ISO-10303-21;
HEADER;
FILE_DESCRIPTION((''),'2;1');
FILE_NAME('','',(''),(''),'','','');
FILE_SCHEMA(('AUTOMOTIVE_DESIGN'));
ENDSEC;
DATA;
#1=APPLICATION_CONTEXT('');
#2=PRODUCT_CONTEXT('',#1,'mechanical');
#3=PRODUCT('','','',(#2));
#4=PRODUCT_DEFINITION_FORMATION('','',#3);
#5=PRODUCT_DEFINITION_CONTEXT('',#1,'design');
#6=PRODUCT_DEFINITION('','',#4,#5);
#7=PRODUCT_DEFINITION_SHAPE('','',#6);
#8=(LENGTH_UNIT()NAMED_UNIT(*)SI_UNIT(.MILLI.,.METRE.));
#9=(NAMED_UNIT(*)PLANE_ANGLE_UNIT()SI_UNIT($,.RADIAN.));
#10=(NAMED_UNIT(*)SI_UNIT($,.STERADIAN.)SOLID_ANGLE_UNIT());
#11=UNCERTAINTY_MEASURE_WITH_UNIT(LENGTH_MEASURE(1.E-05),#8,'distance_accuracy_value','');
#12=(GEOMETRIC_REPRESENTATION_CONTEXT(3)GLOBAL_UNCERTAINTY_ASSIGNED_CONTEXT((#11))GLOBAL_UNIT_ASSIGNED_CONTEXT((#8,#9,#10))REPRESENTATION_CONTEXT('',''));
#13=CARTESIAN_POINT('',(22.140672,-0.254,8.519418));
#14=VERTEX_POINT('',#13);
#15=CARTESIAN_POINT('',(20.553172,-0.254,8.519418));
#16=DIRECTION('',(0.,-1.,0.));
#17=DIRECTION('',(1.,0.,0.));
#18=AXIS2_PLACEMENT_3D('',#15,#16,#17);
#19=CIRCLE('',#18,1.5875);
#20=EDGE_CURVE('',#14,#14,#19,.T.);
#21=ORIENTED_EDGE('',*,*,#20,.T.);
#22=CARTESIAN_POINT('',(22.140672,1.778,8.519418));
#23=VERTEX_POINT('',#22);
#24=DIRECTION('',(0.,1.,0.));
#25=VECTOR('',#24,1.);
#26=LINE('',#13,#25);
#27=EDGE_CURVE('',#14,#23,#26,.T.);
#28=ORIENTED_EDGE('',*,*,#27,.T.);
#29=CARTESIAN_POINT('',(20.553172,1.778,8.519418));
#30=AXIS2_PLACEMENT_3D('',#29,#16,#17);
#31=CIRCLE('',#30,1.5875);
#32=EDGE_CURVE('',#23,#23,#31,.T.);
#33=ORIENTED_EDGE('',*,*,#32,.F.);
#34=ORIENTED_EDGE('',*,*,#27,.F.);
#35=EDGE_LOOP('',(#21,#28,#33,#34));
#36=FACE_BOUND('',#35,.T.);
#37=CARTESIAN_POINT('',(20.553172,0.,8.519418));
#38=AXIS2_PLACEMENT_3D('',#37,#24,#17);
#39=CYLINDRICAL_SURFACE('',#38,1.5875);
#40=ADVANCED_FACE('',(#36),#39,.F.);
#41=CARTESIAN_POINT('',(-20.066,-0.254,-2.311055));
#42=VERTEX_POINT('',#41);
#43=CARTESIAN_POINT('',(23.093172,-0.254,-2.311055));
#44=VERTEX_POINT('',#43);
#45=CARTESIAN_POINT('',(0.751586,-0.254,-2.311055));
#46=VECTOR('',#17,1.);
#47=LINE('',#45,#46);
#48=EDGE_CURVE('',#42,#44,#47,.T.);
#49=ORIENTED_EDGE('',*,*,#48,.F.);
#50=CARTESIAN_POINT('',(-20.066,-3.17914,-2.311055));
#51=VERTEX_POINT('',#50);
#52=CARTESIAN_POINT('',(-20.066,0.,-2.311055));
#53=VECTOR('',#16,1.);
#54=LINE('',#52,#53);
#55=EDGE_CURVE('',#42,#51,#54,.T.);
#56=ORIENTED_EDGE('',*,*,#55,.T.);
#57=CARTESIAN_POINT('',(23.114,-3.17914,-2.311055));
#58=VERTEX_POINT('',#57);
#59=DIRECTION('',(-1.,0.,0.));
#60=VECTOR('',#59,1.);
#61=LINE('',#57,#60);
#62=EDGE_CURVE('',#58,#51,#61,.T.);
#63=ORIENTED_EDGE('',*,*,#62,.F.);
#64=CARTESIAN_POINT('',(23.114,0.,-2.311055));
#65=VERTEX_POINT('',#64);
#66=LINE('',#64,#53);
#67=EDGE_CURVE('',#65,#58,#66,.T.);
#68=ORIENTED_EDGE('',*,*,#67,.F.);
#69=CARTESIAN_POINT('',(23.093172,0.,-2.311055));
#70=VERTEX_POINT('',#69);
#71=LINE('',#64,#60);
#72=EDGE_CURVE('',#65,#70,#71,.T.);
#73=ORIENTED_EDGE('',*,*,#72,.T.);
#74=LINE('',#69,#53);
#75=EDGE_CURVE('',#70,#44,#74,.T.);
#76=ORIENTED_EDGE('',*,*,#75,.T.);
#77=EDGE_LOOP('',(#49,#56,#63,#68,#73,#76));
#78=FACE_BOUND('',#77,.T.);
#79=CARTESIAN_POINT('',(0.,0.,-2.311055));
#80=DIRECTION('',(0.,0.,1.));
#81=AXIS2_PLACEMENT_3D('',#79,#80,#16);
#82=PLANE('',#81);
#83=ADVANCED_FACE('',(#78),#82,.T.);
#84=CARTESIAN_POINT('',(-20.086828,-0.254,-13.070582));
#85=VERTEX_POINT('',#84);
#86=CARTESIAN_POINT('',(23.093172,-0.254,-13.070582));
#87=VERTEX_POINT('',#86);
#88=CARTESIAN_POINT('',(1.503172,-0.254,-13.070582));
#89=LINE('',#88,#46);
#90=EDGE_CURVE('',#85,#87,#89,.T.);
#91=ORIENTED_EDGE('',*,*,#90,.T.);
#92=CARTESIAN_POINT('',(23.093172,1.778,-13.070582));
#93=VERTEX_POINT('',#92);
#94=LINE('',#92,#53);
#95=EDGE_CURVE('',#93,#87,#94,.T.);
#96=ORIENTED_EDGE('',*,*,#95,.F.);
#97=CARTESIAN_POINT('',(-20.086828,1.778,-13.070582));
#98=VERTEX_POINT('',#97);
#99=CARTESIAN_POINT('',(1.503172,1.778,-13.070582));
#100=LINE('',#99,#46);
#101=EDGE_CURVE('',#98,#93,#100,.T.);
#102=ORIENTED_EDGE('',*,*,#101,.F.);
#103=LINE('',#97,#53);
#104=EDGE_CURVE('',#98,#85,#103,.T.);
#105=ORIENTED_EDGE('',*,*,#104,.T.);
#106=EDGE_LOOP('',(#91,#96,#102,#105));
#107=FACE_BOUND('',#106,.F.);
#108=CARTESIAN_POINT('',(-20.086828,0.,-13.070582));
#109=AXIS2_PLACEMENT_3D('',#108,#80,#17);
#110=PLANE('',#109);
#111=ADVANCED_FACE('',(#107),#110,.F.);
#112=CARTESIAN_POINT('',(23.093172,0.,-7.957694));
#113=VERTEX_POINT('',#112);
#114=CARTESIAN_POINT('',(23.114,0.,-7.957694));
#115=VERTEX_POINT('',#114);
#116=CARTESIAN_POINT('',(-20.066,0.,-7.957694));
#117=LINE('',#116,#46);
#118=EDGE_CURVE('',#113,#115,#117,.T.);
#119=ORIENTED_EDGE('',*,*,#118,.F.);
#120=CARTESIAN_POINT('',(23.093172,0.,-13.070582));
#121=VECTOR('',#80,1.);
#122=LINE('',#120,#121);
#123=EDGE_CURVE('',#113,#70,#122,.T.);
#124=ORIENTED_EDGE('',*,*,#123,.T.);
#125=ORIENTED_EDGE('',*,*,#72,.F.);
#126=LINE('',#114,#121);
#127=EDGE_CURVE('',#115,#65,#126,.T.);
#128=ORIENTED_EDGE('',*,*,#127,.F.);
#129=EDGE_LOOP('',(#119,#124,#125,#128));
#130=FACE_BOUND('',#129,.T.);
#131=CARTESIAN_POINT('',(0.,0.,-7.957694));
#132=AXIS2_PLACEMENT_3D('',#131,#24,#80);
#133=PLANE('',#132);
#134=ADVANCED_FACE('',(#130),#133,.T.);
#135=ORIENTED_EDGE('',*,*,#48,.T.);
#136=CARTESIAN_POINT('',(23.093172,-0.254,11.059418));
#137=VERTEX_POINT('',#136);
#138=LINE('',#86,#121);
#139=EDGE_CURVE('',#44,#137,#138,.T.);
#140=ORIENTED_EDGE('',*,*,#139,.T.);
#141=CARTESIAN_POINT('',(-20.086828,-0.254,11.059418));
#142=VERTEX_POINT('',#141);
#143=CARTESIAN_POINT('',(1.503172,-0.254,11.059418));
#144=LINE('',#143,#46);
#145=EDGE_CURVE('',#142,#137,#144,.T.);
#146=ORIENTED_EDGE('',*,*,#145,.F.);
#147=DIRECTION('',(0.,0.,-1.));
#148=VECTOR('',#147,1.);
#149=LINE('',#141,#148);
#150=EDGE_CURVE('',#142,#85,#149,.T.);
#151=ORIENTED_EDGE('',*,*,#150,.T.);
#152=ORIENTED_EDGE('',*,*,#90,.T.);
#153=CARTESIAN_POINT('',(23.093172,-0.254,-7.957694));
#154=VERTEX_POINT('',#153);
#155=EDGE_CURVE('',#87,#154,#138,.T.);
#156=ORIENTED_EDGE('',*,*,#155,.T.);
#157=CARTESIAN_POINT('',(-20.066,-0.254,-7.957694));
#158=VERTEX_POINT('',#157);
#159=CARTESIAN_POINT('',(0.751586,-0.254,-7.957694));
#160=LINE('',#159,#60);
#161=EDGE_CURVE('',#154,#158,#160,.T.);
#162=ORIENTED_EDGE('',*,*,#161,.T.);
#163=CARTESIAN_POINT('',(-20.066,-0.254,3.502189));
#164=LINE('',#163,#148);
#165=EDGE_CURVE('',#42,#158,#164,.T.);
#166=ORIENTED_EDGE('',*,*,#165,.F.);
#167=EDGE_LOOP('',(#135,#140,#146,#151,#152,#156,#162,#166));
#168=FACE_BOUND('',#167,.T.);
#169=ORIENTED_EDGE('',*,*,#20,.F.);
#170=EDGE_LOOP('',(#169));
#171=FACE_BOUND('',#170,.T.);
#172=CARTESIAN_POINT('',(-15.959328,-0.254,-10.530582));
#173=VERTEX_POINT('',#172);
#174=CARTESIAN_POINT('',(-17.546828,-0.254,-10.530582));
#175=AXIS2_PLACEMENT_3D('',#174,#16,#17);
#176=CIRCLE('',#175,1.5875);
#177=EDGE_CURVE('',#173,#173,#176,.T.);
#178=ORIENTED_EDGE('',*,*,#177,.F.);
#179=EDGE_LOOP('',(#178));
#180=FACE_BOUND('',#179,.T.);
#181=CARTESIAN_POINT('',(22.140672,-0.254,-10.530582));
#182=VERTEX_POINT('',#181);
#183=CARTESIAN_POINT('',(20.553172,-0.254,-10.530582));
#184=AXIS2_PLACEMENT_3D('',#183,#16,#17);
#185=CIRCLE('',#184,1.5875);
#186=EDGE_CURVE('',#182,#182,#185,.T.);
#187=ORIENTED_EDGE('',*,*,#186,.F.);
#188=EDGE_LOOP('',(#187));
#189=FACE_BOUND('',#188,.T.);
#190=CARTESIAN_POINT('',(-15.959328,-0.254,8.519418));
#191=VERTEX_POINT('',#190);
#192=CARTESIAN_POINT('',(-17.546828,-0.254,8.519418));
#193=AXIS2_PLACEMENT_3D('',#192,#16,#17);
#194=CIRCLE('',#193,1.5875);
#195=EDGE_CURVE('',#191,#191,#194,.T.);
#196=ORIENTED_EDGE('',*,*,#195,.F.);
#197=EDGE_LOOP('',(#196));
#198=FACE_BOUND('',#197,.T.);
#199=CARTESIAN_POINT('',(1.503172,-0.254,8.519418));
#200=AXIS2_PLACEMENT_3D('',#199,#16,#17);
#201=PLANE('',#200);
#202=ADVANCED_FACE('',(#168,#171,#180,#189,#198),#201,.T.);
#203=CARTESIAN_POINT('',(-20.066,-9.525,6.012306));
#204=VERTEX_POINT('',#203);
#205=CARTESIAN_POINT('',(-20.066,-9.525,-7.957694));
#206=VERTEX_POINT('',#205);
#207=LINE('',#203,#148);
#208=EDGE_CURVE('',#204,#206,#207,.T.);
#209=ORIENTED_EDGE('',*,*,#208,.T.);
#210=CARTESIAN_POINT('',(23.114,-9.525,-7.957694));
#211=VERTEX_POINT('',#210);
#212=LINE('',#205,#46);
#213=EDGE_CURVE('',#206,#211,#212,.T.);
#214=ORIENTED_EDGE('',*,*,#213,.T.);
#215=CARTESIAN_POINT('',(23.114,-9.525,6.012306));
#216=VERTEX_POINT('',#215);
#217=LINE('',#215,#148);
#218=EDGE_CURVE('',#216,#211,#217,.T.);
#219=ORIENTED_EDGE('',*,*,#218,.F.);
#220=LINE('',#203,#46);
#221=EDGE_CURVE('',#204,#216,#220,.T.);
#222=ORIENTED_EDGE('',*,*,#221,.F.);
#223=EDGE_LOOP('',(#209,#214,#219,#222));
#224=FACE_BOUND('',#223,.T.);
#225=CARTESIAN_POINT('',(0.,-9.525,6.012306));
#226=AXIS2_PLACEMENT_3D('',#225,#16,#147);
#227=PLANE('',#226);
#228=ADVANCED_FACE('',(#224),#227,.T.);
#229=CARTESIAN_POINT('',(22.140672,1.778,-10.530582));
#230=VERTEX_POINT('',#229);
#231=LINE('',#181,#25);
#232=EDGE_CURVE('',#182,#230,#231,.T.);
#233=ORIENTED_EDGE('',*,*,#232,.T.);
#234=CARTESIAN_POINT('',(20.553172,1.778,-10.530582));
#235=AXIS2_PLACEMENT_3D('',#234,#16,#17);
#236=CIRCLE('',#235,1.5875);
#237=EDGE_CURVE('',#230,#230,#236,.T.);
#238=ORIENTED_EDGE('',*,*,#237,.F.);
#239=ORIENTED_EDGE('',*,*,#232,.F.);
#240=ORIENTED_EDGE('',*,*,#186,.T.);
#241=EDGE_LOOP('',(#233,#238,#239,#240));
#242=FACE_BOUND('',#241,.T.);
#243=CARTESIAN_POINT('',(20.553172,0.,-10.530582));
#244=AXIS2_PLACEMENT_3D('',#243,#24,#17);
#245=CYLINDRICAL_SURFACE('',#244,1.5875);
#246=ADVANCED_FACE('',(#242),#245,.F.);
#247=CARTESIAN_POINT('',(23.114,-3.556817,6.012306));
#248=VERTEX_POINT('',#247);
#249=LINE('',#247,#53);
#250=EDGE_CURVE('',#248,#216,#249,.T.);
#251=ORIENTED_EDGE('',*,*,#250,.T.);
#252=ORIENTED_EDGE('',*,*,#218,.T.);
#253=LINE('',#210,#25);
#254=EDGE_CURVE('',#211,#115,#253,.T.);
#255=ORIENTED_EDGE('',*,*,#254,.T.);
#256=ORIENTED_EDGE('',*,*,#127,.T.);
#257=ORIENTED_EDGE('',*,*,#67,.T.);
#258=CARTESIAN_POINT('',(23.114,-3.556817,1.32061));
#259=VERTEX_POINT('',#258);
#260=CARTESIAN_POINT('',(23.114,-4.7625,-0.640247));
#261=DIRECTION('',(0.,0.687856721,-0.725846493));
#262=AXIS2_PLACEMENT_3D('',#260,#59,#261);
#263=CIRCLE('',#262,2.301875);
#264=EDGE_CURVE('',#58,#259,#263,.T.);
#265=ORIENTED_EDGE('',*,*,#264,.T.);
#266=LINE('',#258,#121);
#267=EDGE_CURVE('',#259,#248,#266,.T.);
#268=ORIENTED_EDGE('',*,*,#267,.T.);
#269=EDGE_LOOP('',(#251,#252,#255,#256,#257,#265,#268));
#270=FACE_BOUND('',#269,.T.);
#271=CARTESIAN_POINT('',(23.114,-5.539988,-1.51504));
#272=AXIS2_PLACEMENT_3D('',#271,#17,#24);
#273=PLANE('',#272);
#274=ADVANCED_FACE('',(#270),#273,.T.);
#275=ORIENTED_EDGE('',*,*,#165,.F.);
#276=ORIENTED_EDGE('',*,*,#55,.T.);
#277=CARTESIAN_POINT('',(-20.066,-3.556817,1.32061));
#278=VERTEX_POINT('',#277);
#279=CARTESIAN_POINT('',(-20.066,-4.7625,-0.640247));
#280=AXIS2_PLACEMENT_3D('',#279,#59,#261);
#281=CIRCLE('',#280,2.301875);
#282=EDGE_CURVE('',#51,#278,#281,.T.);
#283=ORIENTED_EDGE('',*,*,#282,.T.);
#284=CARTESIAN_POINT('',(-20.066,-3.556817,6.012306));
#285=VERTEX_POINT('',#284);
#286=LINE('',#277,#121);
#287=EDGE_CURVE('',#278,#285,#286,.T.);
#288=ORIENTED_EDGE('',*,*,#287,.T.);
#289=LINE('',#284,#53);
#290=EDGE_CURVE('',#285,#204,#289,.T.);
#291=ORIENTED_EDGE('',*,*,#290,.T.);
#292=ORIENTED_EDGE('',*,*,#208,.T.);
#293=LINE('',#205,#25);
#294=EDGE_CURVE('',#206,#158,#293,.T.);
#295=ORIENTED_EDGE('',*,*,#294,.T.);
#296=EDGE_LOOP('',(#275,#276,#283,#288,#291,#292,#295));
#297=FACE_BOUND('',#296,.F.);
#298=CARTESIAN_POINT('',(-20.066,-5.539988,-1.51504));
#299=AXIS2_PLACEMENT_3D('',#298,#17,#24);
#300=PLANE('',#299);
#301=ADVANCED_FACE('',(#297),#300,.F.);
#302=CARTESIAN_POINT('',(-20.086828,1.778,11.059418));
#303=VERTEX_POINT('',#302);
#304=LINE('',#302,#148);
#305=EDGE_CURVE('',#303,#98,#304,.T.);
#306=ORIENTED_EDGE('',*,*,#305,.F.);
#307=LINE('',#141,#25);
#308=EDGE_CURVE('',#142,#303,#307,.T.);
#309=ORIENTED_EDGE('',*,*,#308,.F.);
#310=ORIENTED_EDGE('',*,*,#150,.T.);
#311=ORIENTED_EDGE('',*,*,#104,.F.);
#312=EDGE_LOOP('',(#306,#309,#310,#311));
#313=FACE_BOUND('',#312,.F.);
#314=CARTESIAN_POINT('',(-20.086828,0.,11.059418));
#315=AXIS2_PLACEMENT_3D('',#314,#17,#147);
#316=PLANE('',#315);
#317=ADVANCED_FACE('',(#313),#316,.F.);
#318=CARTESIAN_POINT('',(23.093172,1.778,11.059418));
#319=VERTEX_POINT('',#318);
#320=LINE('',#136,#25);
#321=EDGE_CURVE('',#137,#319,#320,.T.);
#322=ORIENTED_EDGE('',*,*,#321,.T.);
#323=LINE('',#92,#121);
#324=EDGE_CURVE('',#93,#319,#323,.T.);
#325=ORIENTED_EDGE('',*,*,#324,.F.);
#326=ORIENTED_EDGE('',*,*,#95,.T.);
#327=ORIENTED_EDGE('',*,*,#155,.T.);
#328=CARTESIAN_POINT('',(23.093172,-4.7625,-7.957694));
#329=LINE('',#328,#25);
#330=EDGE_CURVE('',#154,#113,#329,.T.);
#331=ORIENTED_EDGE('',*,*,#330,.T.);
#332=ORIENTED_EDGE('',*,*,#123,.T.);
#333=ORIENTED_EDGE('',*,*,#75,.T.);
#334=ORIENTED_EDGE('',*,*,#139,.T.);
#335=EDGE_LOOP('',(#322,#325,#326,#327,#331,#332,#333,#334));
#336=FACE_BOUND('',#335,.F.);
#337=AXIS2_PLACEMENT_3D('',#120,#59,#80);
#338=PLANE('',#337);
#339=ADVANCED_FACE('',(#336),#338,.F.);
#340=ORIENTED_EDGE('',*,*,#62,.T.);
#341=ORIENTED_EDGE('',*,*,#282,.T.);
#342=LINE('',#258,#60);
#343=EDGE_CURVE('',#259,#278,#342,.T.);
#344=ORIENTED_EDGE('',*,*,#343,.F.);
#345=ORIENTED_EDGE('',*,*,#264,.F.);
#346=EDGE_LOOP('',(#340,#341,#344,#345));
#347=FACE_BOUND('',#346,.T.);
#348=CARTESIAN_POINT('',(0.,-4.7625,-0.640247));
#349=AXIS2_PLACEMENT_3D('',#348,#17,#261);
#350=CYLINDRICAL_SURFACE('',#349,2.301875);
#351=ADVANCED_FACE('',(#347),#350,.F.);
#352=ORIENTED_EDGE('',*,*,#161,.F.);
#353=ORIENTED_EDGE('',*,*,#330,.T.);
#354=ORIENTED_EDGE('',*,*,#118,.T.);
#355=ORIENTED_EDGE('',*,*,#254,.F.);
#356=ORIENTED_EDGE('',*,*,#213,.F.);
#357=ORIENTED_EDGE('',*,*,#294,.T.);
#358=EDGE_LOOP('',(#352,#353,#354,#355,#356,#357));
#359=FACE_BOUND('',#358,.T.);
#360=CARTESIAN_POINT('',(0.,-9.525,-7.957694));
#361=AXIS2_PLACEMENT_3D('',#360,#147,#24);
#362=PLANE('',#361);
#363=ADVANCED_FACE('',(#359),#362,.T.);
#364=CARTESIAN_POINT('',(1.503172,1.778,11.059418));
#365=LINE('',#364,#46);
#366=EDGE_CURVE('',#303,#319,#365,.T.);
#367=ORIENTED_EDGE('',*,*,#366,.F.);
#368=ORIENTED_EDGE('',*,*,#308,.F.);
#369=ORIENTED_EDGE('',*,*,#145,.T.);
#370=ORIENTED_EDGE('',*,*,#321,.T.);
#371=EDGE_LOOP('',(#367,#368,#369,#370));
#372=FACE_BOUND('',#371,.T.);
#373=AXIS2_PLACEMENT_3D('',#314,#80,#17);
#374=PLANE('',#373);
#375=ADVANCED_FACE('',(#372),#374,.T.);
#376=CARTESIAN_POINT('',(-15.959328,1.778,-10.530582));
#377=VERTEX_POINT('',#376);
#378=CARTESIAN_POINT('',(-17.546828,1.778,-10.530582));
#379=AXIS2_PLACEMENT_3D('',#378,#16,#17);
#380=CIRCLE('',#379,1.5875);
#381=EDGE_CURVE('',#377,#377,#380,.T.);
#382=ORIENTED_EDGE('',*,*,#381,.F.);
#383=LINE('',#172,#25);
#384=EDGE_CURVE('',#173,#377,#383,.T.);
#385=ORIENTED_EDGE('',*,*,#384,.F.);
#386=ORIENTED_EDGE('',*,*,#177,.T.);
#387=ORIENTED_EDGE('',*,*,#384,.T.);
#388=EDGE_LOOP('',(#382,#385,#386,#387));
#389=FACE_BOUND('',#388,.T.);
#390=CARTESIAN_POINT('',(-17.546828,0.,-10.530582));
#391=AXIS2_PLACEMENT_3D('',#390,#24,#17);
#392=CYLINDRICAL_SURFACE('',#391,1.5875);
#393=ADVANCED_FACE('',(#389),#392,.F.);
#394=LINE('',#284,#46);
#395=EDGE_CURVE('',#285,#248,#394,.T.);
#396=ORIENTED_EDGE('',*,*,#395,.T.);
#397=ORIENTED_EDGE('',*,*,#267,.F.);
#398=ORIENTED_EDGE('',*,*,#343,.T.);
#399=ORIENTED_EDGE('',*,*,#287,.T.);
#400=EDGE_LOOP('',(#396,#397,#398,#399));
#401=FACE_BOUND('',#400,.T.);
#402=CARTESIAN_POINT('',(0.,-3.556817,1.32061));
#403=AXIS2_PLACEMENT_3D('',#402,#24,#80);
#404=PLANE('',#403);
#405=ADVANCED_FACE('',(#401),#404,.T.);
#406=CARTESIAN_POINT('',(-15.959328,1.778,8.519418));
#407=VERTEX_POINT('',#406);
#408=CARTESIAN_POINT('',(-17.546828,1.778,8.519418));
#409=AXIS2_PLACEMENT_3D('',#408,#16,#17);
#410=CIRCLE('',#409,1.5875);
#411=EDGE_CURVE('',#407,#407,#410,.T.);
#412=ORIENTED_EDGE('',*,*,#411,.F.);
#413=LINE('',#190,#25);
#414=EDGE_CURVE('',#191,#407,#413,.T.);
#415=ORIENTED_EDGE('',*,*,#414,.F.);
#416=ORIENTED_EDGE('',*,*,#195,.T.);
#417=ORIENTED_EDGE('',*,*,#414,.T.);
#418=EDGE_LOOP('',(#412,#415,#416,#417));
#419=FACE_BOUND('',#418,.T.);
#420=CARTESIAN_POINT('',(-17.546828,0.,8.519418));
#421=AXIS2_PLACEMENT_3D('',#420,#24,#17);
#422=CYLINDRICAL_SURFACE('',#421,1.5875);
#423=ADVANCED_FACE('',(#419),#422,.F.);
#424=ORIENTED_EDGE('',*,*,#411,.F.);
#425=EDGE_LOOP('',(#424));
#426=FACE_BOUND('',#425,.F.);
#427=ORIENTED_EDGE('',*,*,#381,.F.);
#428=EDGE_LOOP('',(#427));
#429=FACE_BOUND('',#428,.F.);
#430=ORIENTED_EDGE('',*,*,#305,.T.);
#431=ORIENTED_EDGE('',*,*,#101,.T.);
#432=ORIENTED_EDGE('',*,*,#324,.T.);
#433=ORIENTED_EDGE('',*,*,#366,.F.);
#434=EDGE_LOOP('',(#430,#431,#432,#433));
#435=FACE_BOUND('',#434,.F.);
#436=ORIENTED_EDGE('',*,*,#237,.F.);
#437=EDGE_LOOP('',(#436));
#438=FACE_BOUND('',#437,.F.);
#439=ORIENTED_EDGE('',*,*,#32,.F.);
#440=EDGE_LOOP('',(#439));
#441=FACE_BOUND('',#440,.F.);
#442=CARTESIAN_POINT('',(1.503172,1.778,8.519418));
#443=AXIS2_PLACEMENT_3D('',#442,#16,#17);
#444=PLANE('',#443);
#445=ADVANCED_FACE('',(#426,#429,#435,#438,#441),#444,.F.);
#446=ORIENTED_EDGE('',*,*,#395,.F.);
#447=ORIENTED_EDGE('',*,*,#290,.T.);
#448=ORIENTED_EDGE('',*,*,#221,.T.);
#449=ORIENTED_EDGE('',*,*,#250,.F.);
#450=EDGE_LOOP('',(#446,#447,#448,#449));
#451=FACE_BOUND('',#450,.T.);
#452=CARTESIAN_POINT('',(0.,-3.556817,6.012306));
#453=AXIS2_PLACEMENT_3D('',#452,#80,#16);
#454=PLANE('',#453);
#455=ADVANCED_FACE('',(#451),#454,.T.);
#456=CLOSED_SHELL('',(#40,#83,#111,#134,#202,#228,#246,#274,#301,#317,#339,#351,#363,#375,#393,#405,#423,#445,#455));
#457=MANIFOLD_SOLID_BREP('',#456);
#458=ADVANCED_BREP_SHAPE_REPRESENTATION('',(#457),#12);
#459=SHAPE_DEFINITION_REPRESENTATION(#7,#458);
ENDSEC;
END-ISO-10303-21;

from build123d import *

# Parameters (mm, degrees)
F2_DEPTH      = 23.114
F2_DEPTH_BACK = 20.066
F0_W          = 43.18
F0_H          = 5.08
F0_R          = 1.5875
F0_H_2        = 13.97
F3_DEPTH      = 1.778
F3_DEPTH_BACK = 0.254


with BuildPart() as f2:
    # F1 (on Right) → F2 (new body, two sides)
    with BuildSketch(Plane.YZ) as f2_sk:
        with BuildLine():
            Line((-3.5568174652, 1.3206096099), (-3.5568174652, 6.0123062816))
            Line((-3.5568174652, 6.0123062816), (-9.525, 6.0123062816))
            Line((-9.525, 6.0123062816), (-9.525, -7.9576937184))
            Line((-9.525, -7.9576937184), (0, -7.9576937184))
            Line((0, -7.9576937184), (0, -2.3110547678))
            Line((0, -2.3110547678), (-3.1791398104, -2.3110547678))
            ThreePointArc((-3.1791398104, -2.3110547678), (-7.0520275424, -0.8783480018), (-3.5568174652, 1.3206096099))
        make_face()
    extrude(amount=F2_DEPTH)
    extrude(f2_sk.sketch, amount=-F2_DEPTH_BACK)

    # F0 (on Front) → F3 (join, two sides)
    with BuildSketch(Plane.XZ) as f3_sk:
        with Locations((1.5031718588, 8.5194184199)):
            Rectangle(F0_W, F0_H)
        with Locations((-17.5468281412, 8.5194184199)):
            Circle(F0_R, mode=Mode.SUBTRACT)
        with Locations((20.5531718588, 8.5194184199)):
            Circle(F0_R, mode=Mode.SUBTRACT)
        with Locations((1.5031718588, -1.0055815801)):
            Rectangle(F0_W, F0_H_2)
        with Locations((1.5031718588, -10.5305815801)):
            Rectangle(F0_W, F0_H)
        with Locations((-17.5468281412, -10.5305815801)):
            Circle(F0_R, mode=Mode.SUBTRACT)
        with Locations((20.5531718588, -10.5305815801)):
            Circle(F0_R, mode=Mode.SUBTRACT)
    extrude(amount=-F3_DEPTH)
    extrude(f3_sk.sketch, amount=F3_DEPTH_BACK)


solid = f2.part
